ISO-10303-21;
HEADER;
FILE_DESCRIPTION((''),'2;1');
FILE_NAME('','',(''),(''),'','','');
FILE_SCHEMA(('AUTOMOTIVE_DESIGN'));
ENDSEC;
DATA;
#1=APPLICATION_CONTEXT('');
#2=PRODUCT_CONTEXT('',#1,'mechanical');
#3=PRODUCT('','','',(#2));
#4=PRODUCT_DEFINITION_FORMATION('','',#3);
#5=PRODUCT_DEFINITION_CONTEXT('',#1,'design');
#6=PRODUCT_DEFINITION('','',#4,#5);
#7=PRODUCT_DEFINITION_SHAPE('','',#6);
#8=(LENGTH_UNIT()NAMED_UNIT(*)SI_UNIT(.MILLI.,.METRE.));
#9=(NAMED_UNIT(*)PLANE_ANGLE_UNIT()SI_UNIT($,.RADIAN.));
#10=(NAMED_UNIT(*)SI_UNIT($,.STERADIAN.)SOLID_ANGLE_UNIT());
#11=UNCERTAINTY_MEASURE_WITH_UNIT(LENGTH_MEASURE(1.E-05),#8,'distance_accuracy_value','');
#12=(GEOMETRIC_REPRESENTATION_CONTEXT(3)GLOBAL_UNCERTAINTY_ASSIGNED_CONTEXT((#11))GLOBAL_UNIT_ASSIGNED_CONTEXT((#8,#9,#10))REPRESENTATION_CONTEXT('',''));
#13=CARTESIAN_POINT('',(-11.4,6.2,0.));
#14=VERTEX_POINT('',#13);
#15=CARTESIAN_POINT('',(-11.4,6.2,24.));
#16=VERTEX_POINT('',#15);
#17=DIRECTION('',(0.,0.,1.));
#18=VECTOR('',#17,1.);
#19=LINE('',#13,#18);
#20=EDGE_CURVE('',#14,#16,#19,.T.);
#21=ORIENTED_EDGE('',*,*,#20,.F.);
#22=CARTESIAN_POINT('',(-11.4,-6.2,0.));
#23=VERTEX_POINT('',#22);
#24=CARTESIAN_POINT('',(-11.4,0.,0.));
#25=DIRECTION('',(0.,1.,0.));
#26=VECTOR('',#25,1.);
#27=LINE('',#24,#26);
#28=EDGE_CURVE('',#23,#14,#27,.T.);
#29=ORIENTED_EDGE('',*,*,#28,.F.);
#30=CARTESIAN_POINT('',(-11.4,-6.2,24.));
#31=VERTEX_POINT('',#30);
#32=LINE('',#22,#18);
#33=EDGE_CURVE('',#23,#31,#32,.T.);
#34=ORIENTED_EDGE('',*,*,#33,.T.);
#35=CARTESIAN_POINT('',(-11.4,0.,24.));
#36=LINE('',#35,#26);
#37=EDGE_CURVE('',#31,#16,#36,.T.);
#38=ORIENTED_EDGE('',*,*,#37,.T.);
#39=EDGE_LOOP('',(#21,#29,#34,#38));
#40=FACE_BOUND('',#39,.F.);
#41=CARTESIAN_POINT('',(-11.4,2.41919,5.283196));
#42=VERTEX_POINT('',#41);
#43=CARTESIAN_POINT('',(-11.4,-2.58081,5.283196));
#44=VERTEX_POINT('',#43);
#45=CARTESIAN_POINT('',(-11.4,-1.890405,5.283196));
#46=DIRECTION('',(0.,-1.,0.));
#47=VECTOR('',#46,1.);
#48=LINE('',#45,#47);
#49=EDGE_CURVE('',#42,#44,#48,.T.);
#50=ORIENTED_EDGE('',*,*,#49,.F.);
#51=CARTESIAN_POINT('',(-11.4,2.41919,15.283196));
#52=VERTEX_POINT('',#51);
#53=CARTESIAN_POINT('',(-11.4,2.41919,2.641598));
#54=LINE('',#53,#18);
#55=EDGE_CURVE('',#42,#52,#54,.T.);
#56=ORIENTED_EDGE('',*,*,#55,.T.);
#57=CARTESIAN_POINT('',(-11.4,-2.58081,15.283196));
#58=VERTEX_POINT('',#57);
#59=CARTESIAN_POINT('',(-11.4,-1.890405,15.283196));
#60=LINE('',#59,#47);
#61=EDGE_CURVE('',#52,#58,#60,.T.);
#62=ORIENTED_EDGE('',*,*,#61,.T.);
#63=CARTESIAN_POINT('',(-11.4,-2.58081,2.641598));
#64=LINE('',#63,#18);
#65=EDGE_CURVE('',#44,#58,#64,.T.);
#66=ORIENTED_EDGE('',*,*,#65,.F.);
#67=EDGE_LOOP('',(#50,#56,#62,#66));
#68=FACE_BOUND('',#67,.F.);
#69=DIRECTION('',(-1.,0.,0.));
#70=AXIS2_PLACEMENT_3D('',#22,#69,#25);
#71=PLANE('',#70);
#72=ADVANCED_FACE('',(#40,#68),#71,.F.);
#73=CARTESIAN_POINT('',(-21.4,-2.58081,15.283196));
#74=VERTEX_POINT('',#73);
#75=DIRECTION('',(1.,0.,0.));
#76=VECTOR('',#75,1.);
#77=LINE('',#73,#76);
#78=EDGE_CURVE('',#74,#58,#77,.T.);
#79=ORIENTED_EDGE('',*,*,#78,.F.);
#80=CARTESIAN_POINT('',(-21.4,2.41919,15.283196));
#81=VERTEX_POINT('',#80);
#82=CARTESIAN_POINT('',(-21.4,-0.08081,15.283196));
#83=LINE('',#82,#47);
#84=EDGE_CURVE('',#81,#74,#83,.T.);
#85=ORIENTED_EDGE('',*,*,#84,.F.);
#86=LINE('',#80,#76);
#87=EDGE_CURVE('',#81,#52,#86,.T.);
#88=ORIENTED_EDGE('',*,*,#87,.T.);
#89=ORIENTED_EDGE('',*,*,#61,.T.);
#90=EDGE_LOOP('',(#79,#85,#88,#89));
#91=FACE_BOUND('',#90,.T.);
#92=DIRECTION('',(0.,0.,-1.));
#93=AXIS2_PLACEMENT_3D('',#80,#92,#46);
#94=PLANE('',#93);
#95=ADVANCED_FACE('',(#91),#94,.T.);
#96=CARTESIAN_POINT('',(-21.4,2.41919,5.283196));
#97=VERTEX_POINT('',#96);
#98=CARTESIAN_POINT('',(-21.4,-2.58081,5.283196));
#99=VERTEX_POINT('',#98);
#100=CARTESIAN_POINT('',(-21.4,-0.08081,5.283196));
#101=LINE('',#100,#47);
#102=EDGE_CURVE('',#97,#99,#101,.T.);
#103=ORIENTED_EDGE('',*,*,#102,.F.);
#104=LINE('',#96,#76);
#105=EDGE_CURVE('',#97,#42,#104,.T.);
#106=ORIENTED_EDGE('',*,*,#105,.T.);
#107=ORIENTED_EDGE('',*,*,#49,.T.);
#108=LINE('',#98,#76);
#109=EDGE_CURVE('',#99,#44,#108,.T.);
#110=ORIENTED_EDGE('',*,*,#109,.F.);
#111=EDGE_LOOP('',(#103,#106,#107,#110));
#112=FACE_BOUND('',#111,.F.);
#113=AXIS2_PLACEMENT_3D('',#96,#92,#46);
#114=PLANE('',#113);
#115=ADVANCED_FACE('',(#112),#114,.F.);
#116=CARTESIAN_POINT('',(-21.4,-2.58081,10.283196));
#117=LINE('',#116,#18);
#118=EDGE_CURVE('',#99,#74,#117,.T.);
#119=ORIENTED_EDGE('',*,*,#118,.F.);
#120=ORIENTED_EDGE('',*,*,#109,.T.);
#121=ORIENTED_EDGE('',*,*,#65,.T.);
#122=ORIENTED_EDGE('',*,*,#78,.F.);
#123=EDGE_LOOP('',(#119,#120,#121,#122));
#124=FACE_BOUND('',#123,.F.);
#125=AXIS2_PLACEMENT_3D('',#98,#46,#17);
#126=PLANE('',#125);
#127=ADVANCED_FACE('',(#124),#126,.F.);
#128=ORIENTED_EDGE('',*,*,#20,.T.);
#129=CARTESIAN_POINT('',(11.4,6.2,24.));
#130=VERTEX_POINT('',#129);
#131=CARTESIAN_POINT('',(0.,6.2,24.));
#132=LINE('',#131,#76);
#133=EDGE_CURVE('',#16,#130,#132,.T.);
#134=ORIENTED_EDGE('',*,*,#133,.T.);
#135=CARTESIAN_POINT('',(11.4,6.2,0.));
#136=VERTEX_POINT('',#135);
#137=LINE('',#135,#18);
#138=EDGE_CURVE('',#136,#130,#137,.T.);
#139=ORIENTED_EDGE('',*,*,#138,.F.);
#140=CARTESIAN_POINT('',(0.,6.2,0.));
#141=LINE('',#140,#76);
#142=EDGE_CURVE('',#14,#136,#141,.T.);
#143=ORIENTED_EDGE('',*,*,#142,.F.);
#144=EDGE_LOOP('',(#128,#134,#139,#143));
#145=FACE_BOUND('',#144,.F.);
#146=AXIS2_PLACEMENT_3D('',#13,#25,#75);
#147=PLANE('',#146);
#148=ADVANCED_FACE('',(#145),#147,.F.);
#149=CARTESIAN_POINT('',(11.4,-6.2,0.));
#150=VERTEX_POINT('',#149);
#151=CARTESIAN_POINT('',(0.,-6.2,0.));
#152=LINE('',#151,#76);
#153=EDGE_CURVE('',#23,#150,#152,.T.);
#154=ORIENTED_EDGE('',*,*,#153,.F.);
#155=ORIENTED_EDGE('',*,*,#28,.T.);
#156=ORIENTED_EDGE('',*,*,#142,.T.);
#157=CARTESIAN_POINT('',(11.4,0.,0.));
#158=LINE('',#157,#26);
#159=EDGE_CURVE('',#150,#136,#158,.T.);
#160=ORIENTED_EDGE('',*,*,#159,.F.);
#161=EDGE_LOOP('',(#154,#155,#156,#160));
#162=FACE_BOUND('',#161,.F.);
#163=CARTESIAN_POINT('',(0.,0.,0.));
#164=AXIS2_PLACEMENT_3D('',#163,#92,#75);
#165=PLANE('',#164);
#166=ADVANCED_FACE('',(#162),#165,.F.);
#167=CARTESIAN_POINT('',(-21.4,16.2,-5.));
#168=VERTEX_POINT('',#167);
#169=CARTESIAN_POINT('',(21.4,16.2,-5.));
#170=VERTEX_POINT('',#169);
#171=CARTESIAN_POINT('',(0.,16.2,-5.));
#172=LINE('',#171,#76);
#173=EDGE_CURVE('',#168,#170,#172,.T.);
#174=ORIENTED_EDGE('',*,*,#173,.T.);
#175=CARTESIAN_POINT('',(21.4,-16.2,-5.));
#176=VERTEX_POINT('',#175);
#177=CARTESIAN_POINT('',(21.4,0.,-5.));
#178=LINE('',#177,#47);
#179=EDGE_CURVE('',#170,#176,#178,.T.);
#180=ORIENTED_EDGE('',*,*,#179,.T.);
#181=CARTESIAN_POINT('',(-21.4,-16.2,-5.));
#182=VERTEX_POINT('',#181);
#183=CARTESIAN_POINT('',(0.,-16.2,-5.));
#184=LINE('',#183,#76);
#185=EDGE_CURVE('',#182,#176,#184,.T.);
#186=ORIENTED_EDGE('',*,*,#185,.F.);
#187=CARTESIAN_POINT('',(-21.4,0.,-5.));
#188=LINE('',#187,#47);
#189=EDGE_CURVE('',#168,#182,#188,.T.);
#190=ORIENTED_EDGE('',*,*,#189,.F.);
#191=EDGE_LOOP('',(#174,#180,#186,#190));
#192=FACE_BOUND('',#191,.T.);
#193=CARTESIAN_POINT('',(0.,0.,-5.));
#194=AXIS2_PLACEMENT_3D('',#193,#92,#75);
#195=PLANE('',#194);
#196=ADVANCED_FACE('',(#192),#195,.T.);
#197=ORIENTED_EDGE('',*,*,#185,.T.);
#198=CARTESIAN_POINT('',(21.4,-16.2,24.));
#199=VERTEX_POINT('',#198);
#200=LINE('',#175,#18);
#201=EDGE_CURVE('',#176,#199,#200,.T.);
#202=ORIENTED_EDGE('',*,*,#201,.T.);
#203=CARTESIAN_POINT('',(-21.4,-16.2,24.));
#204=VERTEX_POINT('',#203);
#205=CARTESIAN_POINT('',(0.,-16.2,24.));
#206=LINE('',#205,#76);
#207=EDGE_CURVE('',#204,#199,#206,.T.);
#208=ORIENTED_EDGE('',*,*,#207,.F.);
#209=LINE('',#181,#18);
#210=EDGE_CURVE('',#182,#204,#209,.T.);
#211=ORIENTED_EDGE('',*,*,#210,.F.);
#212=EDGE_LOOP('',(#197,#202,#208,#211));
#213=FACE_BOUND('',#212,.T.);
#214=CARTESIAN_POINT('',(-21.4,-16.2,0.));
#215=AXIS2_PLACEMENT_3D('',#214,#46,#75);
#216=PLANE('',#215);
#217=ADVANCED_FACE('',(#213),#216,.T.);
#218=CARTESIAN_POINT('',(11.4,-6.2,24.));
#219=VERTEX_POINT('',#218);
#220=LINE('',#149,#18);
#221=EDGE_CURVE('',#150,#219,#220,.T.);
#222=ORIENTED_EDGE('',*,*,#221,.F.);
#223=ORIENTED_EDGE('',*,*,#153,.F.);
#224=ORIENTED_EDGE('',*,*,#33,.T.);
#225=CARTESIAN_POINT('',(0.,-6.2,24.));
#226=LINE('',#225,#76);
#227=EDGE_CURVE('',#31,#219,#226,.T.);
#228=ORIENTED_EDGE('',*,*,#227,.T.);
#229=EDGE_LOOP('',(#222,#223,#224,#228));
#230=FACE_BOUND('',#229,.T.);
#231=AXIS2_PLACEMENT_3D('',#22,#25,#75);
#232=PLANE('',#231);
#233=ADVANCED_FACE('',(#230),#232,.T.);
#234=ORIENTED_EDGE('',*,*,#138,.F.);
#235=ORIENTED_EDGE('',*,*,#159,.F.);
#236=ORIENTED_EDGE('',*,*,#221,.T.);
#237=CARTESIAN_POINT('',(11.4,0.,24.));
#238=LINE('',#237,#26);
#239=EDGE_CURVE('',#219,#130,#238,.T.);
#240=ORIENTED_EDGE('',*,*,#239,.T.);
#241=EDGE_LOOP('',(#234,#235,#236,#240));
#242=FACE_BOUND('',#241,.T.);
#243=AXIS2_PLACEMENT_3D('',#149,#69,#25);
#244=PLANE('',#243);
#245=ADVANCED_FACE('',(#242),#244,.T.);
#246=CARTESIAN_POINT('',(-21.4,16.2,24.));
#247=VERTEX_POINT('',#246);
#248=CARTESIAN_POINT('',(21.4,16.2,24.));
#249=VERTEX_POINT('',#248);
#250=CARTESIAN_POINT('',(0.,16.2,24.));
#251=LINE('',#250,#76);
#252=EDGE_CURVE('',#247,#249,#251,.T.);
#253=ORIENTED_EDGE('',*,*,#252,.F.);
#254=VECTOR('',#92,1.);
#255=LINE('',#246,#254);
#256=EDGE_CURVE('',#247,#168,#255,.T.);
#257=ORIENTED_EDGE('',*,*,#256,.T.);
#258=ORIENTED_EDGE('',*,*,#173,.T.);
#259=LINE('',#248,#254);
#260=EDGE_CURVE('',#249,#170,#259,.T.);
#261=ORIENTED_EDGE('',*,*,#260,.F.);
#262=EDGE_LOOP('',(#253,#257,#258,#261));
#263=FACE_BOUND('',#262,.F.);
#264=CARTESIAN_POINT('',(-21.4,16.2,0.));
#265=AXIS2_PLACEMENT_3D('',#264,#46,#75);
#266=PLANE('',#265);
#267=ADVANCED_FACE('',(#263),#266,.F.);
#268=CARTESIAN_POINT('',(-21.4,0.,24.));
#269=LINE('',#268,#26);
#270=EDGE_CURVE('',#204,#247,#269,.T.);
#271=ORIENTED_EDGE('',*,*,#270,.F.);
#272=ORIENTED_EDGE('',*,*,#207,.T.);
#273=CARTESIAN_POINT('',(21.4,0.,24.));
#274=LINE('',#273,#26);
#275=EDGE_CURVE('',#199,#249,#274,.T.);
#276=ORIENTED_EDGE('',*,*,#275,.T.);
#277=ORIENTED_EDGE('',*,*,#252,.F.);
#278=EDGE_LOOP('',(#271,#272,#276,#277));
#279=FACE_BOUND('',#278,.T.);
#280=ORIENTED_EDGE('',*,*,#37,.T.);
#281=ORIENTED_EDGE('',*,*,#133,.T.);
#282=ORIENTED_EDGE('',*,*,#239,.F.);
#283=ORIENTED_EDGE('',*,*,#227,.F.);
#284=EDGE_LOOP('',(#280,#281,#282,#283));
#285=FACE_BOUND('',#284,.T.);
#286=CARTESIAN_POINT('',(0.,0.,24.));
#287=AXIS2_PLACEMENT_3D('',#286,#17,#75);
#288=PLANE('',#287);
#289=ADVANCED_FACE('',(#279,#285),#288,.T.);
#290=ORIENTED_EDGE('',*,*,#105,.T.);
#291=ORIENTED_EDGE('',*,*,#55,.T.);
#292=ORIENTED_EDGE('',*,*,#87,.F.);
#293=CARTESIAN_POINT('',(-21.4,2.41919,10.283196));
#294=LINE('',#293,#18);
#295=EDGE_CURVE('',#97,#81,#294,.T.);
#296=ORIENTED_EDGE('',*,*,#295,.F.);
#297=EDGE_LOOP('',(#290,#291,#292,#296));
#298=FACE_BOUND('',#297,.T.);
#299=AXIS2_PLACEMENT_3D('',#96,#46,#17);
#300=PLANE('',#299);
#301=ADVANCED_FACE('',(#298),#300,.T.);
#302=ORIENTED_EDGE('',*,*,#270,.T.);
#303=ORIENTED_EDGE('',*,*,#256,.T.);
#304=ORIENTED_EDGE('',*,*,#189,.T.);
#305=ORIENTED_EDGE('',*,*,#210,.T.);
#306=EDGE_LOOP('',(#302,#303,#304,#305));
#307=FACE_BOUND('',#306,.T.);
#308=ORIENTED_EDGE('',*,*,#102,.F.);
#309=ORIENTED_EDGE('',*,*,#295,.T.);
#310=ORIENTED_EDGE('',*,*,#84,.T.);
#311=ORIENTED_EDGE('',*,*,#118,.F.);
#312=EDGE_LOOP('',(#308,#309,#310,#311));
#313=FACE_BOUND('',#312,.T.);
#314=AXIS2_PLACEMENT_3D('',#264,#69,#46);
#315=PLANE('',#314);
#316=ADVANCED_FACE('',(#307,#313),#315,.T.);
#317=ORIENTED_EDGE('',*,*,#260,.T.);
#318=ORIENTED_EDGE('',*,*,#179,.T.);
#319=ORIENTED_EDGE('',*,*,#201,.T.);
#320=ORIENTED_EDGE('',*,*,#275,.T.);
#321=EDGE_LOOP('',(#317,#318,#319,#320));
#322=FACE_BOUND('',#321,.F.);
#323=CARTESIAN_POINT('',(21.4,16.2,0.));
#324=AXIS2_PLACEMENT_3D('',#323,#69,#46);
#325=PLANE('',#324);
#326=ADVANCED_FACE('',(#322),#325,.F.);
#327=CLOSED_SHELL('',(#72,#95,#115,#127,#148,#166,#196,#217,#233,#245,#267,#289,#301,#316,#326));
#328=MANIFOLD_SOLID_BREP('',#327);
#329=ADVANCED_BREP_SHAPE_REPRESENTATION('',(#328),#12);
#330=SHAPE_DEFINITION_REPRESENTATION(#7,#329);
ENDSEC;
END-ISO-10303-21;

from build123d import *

# Parameters (mm, degrees)
F0_W     = 42.8
F0_H     = 32.4
F0_W_2   = 22.8
F0_H_2   = 12.4
F1_DEPTH = 24
F2_W     = 42.8
F2_H     = 32.4
F3_DEPTH = 5
F4_W     = 5
F4_H     = 10
F5_DEPTH = 25.4


with BuildPart() as f1:
    # F0 (on Top) → F1 (new body)
    with BuildSketch(Plane.XY):
        Rectangle(F0_W, F0_H)
        Rectangle(F0_W_2, F0_H_2, mode=Mode.SUBTRACT)
    extrude(amount=F1_DEPTH)

    # F2 (on face) → F3 (join)
    with BuildSketch(Plane(origin=(0, 0, 0), x_dir=(1, 0, 0), z_dir=(0, 0, -1))):
        Rectangle(F2_W, F2_H)
    extrude(amount=F3_DEPTH)

    # F4 (on face) → F5 (cut)
    with BuildSketch(Plane(origin=(-21.4, 0, 0), x_dir=(0, -1, 0), z_dir=(-1, 0, 0))):
        with Locations((0.08081, 10.283196)):
            Rectangle(F4_W, F4_H)
    extrude(amount=-F5_DEPTH, mode=Mode.SUBTRACT)


solid = f1.part
